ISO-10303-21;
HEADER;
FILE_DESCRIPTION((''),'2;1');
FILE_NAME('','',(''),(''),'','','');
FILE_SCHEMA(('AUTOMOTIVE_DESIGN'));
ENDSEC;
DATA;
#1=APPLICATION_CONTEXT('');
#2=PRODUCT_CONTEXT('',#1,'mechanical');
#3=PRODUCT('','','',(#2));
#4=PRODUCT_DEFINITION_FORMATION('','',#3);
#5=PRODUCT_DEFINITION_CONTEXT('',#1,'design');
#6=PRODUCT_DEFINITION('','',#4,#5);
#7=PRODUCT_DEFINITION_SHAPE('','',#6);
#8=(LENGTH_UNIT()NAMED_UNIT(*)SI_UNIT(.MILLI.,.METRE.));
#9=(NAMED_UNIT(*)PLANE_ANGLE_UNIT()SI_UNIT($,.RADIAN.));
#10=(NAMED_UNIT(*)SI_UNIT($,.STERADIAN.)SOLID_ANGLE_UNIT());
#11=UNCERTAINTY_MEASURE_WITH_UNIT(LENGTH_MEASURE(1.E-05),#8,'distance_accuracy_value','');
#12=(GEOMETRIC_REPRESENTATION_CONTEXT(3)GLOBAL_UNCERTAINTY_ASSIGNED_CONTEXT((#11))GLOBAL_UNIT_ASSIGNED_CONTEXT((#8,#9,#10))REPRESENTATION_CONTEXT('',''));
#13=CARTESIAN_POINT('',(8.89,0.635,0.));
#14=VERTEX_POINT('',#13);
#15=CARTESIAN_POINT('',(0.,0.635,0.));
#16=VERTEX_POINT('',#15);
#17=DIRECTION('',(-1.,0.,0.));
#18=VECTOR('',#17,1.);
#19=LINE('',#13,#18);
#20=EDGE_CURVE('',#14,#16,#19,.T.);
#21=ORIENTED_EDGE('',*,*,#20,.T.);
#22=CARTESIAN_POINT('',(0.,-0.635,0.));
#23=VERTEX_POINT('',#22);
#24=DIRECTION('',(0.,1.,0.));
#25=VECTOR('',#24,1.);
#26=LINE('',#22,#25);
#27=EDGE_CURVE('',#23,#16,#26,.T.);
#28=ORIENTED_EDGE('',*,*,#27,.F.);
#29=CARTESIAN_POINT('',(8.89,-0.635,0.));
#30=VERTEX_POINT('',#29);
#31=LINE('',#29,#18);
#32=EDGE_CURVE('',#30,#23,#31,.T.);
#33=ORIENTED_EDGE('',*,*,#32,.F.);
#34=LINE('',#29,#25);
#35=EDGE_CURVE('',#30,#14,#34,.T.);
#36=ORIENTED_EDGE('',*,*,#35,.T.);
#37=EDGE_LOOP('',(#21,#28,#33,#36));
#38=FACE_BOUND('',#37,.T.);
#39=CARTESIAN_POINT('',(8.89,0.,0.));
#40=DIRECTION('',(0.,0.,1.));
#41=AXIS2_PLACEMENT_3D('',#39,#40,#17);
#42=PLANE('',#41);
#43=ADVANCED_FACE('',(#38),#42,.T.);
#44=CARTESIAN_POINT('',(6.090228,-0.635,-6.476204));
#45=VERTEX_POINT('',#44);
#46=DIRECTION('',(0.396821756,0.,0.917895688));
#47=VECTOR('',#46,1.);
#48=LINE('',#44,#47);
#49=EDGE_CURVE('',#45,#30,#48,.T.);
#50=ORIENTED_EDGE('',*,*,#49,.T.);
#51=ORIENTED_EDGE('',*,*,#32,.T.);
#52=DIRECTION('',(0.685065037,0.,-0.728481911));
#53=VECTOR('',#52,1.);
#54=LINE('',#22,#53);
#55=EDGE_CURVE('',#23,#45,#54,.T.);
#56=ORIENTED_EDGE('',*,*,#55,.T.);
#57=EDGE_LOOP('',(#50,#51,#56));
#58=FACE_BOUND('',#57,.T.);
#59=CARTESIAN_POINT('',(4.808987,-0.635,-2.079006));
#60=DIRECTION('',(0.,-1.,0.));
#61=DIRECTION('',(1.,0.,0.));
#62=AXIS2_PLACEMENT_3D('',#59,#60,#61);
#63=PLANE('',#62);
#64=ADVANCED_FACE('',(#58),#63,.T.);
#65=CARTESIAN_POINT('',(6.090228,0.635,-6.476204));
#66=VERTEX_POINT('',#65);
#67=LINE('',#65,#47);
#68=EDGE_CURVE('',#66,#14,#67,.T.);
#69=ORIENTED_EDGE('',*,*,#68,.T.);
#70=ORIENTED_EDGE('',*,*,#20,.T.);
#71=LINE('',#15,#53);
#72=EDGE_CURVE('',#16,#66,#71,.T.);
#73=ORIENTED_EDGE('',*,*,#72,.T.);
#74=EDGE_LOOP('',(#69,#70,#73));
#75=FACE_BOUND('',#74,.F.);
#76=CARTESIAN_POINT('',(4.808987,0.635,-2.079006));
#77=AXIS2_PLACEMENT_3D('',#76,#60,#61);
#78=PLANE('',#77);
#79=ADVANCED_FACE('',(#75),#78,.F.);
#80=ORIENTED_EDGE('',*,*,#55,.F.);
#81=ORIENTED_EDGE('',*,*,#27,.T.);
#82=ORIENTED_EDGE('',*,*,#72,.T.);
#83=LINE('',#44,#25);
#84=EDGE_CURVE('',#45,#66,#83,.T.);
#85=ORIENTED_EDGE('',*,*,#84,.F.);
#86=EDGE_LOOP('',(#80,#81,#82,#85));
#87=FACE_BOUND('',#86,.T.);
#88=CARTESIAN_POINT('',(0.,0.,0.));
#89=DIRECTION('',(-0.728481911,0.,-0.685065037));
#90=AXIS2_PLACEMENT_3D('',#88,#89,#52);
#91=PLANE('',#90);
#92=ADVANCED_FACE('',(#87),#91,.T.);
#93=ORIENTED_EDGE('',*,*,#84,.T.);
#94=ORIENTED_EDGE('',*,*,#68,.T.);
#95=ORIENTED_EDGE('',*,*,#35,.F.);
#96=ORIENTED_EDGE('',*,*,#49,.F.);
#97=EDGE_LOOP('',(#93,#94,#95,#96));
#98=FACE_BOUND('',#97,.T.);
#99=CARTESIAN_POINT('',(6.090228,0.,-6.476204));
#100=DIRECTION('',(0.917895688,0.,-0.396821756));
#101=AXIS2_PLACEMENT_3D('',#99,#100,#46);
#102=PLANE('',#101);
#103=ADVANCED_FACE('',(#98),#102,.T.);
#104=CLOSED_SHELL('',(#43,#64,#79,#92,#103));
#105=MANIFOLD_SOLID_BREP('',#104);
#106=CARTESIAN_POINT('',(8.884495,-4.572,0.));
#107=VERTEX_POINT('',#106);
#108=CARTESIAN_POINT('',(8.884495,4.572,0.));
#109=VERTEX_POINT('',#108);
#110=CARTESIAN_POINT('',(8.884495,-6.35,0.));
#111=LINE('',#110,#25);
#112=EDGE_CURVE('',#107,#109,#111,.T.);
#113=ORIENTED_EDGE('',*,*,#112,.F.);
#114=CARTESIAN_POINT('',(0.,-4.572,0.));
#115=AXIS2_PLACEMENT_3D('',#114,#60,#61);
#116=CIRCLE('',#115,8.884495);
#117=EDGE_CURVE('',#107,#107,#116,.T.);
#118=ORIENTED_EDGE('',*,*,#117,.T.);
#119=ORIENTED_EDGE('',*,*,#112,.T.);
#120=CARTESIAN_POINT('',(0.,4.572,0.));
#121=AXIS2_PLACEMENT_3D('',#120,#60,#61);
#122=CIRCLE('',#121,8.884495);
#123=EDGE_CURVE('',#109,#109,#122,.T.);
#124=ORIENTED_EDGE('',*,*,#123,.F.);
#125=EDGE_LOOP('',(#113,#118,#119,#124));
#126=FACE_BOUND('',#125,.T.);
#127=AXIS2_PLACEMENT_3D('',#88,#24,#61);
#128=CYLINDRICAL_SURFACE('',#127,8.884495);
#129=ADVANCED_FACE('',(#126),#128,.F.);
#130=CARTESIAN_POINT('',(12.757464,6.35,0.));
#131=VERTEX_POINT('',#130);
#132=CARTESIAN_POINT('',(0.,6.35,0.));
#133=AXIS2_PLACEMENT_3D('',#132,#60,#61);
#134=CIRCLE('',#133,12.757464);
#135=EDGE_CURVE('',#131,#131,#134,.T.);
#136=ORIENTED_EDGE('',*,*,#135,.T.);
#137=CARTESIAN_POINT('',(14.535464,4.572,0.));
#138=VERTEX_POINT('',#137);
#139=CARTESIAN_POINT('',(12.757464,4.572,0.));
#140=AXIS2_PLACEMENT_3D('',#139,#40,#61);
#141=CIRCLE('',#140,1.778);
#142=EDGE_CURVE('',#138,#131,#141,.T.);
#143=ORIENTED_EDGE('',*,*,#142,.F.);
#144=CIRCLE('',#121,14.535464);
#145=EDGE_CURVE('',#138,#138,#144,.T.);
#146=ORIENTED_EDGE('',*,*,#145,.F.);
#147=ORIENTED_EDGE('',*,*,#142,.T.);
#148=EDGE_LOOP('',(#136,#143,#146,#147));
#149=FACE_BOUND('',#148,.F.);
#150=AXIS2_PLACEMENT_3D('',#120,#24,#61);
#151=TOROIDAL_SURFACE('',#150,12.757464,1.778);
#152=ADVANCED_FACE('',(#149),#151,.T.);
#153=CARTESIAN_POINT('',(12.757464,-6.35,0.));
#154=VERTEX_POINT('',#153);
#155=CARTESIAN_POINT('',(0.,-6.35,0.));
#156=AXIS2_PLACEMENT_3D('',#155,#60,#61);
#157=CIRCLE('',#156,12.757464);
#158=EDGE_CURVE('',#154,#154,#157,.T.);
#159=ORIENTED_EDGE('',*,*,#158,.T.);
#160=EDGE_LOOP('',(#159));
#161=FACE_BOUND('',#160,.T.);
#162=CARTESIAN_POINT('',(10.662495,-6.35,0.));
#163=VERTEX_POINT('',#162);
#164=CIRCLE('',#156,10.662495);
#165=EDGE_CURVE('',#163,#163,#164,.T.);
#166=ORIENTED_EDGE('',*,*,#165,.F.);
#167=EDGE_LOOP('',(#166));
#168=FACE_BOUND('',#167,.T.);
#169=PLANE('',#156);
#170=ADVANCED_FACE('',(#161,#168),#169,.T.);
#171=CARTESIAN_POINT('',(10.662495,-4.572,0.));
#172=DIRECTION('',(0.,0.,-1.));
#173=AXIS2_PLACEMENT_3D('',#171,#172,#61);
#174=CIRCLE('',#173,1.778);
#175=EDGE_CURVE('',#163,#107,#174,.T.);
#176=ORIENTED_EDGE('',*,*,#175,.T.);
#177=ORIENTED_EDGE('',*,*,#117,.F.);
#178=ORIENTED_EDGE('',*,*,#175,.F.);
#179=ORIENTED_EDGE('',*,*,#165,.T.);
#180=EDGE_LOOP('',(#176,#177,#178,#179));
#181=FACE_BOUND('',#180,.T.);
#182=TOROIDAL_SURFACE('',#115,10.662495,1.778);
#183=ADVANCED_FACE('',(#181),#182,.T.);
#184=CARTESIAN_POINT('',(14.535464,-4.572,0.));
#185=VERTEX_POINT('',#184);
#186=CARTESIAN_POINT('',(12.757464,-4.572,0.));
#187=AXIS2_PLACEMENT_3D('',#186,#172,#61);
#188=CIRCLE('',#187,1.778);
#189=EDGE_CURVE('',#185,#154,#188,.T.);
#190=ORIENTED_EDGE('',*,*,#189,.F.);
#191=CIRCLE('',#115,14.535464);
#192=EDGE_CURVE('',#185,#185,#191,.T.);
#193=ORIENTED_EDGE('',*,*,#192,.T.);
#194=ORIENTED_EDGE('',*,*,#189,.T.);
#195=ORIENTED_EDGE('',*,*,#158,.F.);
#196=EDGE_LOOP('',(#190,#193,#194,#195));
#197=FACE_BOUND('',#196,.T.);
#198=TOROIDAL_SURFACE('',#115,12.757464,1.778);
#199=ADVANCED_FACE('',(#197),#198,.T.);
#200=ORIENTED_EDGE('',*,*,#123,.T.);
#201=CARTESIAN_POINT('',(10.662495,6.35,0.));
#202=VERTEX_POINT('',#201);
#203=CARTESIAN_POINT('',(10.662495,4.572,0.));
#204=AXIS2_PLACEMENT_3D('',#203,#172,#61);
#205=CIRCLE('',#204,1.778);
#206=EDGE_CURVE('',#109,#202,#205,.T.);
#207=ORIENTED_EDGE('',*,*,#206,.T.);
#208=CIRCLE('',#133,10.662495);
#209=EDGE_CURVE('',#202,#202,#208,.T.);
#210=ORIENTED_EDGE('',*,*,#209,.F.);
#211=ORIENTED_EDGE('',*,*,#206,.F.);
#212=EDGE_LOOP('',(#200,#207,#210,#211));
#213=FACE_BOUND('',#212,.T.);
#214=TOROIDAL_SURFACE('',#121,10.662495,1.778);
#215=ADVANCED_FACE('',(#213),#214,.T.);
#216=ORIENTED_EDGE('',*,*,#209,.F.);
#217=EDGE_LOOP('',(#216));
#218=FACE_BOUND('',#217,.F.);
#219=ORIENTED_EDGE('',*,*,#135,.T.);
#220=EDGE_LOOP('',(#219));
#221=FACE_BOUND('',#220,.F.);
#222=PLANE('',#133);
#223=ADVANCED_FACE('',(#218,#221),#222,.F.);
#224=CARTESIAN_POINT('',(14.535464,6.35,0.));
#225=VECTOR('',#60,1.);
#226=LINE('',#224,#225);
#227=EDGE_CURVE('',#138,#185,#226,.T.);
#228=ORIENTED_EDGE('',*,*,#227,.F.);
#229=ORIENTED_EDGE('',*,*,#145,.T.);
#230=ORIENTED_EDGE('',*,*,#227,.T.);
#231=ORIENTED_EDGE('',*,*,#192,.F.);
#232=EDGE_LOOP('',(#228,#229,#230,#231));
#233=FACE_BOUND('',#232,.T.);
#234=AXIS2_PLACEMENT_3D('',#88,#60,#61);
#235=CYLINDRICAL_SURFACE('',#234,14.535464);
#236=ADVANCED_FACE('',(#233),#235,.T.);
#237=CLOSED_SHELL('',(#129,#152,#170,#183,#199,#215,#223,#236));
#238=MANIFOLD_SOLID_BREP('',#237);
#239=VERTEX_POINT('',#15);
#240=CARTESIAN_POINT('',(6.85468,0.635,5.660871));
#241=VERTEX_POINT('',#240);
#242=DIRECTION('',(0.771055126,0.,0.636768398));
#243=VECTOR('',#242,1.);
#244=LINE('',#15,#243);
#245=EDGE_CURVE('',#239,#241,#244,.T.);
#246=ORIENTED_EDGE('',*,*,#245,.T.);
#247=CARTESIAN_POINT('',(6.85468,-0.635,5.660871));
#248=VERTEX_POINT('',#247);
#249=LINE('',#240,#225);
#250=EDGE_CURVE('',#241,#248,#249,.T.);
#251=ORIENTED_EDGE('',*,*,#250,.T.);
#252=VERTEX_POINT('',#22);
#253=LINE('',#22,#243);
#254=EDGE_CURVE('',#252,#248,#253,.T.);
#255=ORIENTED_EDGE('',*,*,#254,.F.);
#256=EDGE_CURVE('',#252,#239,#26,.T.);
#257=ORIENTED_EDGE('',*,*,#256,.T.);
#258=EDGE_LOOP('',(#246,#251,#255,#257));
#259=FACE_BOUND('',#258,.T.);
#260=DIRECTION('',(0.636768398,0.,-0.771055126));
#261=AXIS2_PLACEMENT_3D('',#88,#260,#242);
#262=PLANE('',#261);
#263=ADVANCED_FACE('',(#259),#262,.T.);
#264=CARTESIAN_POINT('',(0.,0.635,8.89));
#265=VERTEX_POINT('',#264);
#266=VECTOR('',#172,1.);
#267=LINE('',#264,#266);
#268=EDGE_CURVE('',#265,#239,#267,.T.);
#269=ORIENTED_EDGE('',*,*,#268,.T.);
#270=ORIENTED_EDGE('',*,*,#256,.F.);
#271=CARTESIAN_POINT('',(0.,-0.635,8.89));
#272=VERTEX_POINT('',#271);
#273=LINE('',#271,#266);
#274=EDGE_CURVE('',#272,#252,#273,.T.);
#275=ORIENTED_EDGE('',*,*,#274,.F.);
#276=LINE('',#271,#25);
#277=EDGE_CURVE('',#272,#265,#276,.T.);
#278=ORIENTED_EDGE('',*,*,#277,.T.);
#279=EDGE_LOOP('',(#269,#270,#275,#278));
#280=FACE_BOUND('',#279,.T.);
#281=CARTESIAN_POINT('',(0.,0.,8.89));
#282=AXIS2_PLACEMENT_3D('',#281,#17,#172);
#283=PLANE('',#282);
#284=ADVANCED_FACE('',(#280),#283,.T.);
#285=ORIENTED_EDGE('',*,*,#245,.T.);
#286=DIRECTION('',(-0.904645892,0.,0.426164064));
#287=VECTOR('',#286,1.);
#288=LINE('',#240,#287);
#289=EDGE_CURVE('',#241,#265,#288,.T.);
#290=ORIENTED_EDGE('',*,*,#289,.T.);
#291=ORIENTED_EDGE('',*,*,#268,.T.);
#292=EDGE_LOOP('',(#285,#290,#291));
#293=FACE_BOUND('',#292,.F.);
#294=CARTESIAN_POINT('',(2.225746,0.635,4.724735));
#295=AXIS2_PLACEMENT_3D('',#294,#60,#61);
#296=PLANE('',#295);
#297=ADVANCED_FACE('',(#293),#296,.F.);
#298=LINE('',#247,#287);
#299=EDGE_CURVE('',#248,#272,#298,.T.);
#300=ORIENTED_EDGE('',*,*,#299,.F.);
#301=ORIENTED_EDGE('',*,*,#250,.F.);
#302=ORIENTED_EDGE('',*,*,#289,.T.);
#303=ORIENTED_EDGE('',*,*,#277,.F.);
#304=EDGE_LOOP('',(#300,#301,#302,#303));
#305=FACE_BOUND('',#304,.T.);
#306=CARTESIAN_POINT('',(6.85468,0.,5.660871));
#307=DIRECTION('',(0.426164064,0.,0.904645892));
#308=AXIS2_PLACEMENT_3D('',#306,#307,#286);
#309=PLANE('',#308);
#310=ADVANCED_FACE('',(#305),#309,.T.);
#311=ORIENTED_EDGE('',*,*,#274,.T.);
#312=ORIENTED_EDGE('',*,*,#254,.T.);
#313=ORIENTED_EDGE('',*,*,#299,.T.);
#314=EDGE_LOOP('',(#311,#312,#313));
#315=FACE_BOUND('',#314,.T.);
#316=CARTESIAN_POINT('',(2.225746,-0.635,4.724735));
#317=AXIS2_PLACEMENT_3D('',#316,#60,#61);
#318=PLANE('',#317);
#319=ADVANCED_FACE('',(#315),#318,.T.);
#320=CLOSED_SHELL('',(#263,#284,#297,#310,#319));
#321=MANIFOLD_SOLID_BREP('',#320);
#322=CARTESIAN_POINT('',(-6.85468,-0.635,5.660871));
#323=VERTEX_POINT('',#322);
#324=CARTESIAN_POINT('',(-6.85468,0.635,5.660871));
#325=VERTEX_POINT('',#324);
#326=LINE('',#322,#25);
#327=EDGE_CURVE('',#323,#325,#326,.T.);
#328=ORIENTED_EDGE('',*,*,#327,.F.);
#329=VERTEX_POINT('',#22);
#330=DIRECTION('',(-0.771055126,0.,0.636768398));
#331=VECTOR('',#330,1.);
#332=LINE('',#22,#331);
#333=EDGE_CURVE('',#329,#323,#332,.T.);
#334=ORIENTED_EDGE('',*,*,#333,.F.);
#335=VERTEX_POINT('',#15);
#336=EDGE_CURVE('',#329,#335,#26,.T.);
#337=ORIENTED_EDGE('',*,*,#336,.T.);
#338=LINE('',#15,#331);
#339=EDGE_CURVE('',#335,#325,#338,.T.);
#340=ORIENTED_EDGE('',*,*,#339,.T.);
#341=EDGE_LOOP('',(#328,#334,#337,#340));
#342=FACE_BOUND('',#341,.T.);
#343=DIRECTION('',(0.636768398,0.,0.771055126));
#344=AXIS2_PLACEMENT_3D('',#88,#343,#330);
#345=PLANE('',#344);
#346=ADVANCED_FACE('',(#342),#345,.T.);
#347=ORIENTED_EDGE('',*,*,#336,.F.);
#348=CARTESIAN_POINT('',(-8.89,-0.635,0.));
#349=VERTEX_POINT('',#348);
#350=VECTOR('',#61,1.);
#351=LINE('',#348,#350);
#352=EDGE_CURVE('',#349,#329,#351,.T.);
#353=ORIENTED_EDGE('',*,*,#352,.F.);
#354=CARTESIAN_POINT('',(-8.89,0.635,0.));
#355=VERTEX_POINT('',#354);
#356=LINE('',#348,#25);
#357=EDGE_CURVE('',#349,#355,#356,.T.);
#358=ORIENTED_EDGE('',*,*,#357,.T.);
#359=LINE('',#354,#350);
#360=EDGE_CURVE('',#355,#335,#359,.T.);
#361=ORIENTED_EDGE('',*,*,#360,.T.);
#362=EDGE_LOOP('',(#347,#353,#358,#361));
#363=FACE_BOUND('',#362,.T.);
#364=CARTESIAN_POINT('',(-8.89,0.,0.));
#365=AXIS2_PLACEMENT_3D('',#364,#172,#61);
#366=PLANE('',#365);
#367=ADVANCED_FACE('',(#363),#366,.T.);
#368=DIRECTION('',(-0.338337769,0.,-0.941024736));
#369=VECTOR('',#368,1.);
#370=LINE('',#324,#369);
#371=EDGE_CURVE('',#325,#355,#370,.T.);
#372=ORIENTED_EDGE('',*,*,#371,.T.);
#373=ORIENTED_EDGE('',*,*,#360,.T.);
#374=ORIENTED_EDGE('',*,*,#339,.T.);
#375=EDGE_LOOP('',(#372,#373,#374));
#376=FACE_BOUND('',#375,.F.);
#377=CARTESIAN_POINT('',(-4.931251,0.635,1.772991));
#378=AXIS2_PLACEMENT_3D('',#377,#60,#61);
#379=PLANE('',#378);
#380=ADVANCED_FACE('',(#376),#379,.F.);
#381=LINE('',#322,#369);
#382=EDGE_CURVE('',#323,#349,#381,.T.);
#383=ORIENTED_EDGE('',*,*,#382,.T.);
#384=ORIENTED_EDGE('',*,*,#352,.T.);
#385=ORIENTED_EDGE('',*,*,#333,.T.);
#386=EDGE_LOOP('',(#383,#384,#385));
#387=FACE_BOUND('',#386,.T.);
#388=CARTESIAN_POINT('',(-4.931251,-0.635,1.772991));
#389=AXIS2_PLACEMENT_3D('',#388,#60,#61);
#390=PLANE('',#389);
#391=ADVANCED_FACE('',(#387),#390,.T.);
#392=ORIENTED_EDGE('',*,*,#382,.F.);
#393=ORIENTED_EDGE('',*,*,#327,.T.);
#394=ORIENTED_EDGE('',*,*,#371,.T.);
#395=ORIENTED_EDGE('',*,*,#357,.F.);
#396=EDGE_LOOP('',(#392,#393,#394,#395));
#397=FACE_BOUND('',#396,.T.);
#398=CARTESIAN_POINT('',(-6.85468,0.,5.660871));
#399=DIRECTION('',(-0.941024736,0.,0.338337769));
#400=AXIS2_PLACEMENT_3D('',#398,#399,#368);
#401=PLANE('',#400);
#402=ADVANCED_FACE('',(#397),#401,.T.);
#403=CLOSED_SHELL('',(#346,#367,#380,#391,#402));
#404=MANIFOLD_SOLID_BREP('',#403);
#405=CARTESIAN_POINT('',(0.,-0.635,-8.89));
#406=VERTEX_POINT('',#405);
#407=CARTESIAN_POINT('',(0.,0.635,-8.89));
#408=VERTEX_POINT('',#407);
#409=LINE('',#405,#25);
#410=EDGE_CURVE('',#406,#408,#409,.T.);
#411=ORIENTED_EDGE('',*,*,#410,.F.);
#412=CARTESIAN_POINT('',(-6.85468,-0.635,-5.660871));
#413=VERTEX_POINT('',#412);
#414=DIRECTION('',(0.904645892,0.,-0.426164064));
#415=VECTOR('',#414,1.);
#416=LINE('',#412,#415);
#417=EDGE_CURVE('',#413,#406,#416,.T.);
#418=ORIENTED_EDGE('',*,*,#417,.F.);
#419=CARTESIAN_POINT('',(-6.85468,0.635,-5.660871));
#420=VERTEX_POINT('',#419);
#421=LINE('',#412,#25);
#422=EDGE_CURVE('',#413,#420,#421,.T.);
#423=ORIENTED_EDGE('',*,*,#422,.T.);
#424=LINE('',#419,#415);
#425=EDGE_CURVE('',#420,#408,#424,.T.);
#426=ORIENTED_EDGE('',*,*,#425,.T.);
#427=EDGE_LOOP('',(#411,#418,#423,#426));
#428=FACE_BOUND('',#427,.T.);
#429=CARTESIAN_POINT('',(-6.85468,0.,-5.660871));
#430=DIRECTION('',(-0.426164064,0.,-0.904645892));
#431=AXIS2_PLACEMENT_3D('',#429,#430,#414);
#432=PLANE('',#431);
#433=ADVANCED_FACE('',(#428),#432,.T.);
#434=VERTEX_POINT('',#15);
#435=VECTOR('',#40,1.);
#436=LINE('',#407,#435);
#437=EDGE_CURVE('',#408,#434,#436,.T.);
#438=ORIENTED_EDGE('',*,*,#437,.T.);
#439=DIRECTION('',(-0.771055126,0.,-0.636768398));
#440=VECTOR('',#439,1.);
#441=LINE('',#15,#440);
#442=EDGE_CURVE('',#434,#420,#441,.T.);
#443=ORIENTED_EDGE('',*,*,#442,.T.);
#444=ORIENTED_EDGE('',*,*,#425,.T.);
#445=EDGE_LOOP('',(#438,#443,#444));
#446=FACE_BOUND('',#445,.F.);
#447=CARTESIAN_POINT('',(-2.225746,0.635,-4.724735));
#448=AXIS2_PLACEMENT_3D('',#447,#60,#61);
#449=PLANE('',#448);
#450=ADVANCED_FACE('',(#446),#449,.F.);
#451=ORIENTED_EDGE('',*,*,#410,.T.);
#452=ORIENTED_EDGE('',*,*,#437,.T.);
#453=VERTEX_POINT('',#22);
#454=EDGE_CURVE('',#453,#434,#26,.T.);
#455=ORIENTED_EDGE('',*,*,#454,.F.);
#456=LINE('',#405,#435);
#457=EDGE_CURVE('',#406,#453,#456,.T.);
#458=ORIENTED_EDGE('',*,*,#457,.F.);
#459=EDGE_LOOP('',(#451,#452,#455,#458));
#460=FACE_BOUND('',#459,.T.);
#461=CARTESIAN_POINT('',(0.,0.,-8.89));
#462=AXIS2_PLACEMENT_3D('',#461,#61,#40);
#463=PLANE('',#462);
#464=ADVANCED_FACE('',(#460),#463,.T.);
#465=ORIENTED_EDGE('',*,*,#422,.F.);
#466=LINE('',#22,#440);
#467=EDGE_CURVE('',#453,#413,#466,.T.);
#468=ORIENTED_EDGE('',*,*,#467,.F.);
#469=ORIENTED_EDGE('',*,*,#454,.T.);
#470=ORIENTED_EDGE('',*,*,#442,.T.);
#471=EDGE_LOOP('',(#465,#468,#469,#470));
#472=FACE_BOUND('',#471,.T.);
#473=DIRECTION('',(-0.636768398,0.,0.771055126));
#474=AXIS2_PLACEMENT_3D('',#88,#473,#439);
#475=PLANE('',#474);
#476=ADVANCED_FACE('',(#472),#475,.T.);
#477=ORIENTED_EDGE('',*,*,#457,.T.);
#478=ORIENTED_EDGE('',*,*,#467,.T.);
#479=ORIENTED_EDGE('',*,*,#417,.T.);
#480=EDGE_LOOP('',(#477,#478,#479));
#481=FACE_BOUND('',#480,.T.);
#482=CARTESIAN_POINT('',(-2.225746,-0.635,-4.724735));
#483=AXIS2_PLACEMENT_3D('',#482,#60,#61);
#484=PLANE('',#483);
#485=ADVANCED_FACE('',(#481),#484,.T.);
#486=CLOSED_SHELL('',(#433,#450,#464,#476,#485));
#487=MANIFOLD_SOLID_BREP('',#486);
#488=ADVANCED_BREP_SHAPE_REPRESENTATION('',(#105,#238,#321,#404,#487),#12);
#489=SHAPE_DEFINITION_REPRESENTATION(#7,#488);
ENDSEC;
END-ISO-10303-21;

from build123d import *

# Parameters (mm, degrees)
F1_DEPTH = 0.635
F2_R     = 14.535464
F2_R_2   = 8.884495
F3_DEPTH = 6.35
F4_R     = 1.778


with BuildPart() as f1:
    # F0 (on Front) → F1 (new body, symmetric)
    with BuildSketch(Plane.XZ):
        Polygon((-8.89, 0), (0, 0), (-6.85468, 5.660871), align=None)
        Polygon((0, -8.89), (0, 0), (-6.85468, -5.660871), align=None)
        Polygon((6.090228, -6.476204), (8.89, 0), (0, 0), align=None)
        Polygon((0, 0), (6.85468, 5.660871), (0, 8.89), align=None)
    extrude(amount=F1_DEPTH, both=True)


with BuildPart() as f3:
    # F2 (on Front) → F3 (new body, symmetric)
    with BuildSketch(Plane.XZ):
        Circle(F2_R)
        Circle(F2_R_2, mode=Mode.SUBTRACT)
    extrude(amount=F3_DEPTH, both=True)

    # F4
    f4_edges = [f3.edges().sort_by_distance(p)[0] for p in [
        (-14.535464, 6.35, 0),
        (-14.535464, -6.35, 0),
        (-8.884495, 6.35, 0),
        (-8.884495, -6.35, 0),
    ]]
    fillet(f4_edges, radius=F4_R)


solid = Compound([f1.part, f3.part])
